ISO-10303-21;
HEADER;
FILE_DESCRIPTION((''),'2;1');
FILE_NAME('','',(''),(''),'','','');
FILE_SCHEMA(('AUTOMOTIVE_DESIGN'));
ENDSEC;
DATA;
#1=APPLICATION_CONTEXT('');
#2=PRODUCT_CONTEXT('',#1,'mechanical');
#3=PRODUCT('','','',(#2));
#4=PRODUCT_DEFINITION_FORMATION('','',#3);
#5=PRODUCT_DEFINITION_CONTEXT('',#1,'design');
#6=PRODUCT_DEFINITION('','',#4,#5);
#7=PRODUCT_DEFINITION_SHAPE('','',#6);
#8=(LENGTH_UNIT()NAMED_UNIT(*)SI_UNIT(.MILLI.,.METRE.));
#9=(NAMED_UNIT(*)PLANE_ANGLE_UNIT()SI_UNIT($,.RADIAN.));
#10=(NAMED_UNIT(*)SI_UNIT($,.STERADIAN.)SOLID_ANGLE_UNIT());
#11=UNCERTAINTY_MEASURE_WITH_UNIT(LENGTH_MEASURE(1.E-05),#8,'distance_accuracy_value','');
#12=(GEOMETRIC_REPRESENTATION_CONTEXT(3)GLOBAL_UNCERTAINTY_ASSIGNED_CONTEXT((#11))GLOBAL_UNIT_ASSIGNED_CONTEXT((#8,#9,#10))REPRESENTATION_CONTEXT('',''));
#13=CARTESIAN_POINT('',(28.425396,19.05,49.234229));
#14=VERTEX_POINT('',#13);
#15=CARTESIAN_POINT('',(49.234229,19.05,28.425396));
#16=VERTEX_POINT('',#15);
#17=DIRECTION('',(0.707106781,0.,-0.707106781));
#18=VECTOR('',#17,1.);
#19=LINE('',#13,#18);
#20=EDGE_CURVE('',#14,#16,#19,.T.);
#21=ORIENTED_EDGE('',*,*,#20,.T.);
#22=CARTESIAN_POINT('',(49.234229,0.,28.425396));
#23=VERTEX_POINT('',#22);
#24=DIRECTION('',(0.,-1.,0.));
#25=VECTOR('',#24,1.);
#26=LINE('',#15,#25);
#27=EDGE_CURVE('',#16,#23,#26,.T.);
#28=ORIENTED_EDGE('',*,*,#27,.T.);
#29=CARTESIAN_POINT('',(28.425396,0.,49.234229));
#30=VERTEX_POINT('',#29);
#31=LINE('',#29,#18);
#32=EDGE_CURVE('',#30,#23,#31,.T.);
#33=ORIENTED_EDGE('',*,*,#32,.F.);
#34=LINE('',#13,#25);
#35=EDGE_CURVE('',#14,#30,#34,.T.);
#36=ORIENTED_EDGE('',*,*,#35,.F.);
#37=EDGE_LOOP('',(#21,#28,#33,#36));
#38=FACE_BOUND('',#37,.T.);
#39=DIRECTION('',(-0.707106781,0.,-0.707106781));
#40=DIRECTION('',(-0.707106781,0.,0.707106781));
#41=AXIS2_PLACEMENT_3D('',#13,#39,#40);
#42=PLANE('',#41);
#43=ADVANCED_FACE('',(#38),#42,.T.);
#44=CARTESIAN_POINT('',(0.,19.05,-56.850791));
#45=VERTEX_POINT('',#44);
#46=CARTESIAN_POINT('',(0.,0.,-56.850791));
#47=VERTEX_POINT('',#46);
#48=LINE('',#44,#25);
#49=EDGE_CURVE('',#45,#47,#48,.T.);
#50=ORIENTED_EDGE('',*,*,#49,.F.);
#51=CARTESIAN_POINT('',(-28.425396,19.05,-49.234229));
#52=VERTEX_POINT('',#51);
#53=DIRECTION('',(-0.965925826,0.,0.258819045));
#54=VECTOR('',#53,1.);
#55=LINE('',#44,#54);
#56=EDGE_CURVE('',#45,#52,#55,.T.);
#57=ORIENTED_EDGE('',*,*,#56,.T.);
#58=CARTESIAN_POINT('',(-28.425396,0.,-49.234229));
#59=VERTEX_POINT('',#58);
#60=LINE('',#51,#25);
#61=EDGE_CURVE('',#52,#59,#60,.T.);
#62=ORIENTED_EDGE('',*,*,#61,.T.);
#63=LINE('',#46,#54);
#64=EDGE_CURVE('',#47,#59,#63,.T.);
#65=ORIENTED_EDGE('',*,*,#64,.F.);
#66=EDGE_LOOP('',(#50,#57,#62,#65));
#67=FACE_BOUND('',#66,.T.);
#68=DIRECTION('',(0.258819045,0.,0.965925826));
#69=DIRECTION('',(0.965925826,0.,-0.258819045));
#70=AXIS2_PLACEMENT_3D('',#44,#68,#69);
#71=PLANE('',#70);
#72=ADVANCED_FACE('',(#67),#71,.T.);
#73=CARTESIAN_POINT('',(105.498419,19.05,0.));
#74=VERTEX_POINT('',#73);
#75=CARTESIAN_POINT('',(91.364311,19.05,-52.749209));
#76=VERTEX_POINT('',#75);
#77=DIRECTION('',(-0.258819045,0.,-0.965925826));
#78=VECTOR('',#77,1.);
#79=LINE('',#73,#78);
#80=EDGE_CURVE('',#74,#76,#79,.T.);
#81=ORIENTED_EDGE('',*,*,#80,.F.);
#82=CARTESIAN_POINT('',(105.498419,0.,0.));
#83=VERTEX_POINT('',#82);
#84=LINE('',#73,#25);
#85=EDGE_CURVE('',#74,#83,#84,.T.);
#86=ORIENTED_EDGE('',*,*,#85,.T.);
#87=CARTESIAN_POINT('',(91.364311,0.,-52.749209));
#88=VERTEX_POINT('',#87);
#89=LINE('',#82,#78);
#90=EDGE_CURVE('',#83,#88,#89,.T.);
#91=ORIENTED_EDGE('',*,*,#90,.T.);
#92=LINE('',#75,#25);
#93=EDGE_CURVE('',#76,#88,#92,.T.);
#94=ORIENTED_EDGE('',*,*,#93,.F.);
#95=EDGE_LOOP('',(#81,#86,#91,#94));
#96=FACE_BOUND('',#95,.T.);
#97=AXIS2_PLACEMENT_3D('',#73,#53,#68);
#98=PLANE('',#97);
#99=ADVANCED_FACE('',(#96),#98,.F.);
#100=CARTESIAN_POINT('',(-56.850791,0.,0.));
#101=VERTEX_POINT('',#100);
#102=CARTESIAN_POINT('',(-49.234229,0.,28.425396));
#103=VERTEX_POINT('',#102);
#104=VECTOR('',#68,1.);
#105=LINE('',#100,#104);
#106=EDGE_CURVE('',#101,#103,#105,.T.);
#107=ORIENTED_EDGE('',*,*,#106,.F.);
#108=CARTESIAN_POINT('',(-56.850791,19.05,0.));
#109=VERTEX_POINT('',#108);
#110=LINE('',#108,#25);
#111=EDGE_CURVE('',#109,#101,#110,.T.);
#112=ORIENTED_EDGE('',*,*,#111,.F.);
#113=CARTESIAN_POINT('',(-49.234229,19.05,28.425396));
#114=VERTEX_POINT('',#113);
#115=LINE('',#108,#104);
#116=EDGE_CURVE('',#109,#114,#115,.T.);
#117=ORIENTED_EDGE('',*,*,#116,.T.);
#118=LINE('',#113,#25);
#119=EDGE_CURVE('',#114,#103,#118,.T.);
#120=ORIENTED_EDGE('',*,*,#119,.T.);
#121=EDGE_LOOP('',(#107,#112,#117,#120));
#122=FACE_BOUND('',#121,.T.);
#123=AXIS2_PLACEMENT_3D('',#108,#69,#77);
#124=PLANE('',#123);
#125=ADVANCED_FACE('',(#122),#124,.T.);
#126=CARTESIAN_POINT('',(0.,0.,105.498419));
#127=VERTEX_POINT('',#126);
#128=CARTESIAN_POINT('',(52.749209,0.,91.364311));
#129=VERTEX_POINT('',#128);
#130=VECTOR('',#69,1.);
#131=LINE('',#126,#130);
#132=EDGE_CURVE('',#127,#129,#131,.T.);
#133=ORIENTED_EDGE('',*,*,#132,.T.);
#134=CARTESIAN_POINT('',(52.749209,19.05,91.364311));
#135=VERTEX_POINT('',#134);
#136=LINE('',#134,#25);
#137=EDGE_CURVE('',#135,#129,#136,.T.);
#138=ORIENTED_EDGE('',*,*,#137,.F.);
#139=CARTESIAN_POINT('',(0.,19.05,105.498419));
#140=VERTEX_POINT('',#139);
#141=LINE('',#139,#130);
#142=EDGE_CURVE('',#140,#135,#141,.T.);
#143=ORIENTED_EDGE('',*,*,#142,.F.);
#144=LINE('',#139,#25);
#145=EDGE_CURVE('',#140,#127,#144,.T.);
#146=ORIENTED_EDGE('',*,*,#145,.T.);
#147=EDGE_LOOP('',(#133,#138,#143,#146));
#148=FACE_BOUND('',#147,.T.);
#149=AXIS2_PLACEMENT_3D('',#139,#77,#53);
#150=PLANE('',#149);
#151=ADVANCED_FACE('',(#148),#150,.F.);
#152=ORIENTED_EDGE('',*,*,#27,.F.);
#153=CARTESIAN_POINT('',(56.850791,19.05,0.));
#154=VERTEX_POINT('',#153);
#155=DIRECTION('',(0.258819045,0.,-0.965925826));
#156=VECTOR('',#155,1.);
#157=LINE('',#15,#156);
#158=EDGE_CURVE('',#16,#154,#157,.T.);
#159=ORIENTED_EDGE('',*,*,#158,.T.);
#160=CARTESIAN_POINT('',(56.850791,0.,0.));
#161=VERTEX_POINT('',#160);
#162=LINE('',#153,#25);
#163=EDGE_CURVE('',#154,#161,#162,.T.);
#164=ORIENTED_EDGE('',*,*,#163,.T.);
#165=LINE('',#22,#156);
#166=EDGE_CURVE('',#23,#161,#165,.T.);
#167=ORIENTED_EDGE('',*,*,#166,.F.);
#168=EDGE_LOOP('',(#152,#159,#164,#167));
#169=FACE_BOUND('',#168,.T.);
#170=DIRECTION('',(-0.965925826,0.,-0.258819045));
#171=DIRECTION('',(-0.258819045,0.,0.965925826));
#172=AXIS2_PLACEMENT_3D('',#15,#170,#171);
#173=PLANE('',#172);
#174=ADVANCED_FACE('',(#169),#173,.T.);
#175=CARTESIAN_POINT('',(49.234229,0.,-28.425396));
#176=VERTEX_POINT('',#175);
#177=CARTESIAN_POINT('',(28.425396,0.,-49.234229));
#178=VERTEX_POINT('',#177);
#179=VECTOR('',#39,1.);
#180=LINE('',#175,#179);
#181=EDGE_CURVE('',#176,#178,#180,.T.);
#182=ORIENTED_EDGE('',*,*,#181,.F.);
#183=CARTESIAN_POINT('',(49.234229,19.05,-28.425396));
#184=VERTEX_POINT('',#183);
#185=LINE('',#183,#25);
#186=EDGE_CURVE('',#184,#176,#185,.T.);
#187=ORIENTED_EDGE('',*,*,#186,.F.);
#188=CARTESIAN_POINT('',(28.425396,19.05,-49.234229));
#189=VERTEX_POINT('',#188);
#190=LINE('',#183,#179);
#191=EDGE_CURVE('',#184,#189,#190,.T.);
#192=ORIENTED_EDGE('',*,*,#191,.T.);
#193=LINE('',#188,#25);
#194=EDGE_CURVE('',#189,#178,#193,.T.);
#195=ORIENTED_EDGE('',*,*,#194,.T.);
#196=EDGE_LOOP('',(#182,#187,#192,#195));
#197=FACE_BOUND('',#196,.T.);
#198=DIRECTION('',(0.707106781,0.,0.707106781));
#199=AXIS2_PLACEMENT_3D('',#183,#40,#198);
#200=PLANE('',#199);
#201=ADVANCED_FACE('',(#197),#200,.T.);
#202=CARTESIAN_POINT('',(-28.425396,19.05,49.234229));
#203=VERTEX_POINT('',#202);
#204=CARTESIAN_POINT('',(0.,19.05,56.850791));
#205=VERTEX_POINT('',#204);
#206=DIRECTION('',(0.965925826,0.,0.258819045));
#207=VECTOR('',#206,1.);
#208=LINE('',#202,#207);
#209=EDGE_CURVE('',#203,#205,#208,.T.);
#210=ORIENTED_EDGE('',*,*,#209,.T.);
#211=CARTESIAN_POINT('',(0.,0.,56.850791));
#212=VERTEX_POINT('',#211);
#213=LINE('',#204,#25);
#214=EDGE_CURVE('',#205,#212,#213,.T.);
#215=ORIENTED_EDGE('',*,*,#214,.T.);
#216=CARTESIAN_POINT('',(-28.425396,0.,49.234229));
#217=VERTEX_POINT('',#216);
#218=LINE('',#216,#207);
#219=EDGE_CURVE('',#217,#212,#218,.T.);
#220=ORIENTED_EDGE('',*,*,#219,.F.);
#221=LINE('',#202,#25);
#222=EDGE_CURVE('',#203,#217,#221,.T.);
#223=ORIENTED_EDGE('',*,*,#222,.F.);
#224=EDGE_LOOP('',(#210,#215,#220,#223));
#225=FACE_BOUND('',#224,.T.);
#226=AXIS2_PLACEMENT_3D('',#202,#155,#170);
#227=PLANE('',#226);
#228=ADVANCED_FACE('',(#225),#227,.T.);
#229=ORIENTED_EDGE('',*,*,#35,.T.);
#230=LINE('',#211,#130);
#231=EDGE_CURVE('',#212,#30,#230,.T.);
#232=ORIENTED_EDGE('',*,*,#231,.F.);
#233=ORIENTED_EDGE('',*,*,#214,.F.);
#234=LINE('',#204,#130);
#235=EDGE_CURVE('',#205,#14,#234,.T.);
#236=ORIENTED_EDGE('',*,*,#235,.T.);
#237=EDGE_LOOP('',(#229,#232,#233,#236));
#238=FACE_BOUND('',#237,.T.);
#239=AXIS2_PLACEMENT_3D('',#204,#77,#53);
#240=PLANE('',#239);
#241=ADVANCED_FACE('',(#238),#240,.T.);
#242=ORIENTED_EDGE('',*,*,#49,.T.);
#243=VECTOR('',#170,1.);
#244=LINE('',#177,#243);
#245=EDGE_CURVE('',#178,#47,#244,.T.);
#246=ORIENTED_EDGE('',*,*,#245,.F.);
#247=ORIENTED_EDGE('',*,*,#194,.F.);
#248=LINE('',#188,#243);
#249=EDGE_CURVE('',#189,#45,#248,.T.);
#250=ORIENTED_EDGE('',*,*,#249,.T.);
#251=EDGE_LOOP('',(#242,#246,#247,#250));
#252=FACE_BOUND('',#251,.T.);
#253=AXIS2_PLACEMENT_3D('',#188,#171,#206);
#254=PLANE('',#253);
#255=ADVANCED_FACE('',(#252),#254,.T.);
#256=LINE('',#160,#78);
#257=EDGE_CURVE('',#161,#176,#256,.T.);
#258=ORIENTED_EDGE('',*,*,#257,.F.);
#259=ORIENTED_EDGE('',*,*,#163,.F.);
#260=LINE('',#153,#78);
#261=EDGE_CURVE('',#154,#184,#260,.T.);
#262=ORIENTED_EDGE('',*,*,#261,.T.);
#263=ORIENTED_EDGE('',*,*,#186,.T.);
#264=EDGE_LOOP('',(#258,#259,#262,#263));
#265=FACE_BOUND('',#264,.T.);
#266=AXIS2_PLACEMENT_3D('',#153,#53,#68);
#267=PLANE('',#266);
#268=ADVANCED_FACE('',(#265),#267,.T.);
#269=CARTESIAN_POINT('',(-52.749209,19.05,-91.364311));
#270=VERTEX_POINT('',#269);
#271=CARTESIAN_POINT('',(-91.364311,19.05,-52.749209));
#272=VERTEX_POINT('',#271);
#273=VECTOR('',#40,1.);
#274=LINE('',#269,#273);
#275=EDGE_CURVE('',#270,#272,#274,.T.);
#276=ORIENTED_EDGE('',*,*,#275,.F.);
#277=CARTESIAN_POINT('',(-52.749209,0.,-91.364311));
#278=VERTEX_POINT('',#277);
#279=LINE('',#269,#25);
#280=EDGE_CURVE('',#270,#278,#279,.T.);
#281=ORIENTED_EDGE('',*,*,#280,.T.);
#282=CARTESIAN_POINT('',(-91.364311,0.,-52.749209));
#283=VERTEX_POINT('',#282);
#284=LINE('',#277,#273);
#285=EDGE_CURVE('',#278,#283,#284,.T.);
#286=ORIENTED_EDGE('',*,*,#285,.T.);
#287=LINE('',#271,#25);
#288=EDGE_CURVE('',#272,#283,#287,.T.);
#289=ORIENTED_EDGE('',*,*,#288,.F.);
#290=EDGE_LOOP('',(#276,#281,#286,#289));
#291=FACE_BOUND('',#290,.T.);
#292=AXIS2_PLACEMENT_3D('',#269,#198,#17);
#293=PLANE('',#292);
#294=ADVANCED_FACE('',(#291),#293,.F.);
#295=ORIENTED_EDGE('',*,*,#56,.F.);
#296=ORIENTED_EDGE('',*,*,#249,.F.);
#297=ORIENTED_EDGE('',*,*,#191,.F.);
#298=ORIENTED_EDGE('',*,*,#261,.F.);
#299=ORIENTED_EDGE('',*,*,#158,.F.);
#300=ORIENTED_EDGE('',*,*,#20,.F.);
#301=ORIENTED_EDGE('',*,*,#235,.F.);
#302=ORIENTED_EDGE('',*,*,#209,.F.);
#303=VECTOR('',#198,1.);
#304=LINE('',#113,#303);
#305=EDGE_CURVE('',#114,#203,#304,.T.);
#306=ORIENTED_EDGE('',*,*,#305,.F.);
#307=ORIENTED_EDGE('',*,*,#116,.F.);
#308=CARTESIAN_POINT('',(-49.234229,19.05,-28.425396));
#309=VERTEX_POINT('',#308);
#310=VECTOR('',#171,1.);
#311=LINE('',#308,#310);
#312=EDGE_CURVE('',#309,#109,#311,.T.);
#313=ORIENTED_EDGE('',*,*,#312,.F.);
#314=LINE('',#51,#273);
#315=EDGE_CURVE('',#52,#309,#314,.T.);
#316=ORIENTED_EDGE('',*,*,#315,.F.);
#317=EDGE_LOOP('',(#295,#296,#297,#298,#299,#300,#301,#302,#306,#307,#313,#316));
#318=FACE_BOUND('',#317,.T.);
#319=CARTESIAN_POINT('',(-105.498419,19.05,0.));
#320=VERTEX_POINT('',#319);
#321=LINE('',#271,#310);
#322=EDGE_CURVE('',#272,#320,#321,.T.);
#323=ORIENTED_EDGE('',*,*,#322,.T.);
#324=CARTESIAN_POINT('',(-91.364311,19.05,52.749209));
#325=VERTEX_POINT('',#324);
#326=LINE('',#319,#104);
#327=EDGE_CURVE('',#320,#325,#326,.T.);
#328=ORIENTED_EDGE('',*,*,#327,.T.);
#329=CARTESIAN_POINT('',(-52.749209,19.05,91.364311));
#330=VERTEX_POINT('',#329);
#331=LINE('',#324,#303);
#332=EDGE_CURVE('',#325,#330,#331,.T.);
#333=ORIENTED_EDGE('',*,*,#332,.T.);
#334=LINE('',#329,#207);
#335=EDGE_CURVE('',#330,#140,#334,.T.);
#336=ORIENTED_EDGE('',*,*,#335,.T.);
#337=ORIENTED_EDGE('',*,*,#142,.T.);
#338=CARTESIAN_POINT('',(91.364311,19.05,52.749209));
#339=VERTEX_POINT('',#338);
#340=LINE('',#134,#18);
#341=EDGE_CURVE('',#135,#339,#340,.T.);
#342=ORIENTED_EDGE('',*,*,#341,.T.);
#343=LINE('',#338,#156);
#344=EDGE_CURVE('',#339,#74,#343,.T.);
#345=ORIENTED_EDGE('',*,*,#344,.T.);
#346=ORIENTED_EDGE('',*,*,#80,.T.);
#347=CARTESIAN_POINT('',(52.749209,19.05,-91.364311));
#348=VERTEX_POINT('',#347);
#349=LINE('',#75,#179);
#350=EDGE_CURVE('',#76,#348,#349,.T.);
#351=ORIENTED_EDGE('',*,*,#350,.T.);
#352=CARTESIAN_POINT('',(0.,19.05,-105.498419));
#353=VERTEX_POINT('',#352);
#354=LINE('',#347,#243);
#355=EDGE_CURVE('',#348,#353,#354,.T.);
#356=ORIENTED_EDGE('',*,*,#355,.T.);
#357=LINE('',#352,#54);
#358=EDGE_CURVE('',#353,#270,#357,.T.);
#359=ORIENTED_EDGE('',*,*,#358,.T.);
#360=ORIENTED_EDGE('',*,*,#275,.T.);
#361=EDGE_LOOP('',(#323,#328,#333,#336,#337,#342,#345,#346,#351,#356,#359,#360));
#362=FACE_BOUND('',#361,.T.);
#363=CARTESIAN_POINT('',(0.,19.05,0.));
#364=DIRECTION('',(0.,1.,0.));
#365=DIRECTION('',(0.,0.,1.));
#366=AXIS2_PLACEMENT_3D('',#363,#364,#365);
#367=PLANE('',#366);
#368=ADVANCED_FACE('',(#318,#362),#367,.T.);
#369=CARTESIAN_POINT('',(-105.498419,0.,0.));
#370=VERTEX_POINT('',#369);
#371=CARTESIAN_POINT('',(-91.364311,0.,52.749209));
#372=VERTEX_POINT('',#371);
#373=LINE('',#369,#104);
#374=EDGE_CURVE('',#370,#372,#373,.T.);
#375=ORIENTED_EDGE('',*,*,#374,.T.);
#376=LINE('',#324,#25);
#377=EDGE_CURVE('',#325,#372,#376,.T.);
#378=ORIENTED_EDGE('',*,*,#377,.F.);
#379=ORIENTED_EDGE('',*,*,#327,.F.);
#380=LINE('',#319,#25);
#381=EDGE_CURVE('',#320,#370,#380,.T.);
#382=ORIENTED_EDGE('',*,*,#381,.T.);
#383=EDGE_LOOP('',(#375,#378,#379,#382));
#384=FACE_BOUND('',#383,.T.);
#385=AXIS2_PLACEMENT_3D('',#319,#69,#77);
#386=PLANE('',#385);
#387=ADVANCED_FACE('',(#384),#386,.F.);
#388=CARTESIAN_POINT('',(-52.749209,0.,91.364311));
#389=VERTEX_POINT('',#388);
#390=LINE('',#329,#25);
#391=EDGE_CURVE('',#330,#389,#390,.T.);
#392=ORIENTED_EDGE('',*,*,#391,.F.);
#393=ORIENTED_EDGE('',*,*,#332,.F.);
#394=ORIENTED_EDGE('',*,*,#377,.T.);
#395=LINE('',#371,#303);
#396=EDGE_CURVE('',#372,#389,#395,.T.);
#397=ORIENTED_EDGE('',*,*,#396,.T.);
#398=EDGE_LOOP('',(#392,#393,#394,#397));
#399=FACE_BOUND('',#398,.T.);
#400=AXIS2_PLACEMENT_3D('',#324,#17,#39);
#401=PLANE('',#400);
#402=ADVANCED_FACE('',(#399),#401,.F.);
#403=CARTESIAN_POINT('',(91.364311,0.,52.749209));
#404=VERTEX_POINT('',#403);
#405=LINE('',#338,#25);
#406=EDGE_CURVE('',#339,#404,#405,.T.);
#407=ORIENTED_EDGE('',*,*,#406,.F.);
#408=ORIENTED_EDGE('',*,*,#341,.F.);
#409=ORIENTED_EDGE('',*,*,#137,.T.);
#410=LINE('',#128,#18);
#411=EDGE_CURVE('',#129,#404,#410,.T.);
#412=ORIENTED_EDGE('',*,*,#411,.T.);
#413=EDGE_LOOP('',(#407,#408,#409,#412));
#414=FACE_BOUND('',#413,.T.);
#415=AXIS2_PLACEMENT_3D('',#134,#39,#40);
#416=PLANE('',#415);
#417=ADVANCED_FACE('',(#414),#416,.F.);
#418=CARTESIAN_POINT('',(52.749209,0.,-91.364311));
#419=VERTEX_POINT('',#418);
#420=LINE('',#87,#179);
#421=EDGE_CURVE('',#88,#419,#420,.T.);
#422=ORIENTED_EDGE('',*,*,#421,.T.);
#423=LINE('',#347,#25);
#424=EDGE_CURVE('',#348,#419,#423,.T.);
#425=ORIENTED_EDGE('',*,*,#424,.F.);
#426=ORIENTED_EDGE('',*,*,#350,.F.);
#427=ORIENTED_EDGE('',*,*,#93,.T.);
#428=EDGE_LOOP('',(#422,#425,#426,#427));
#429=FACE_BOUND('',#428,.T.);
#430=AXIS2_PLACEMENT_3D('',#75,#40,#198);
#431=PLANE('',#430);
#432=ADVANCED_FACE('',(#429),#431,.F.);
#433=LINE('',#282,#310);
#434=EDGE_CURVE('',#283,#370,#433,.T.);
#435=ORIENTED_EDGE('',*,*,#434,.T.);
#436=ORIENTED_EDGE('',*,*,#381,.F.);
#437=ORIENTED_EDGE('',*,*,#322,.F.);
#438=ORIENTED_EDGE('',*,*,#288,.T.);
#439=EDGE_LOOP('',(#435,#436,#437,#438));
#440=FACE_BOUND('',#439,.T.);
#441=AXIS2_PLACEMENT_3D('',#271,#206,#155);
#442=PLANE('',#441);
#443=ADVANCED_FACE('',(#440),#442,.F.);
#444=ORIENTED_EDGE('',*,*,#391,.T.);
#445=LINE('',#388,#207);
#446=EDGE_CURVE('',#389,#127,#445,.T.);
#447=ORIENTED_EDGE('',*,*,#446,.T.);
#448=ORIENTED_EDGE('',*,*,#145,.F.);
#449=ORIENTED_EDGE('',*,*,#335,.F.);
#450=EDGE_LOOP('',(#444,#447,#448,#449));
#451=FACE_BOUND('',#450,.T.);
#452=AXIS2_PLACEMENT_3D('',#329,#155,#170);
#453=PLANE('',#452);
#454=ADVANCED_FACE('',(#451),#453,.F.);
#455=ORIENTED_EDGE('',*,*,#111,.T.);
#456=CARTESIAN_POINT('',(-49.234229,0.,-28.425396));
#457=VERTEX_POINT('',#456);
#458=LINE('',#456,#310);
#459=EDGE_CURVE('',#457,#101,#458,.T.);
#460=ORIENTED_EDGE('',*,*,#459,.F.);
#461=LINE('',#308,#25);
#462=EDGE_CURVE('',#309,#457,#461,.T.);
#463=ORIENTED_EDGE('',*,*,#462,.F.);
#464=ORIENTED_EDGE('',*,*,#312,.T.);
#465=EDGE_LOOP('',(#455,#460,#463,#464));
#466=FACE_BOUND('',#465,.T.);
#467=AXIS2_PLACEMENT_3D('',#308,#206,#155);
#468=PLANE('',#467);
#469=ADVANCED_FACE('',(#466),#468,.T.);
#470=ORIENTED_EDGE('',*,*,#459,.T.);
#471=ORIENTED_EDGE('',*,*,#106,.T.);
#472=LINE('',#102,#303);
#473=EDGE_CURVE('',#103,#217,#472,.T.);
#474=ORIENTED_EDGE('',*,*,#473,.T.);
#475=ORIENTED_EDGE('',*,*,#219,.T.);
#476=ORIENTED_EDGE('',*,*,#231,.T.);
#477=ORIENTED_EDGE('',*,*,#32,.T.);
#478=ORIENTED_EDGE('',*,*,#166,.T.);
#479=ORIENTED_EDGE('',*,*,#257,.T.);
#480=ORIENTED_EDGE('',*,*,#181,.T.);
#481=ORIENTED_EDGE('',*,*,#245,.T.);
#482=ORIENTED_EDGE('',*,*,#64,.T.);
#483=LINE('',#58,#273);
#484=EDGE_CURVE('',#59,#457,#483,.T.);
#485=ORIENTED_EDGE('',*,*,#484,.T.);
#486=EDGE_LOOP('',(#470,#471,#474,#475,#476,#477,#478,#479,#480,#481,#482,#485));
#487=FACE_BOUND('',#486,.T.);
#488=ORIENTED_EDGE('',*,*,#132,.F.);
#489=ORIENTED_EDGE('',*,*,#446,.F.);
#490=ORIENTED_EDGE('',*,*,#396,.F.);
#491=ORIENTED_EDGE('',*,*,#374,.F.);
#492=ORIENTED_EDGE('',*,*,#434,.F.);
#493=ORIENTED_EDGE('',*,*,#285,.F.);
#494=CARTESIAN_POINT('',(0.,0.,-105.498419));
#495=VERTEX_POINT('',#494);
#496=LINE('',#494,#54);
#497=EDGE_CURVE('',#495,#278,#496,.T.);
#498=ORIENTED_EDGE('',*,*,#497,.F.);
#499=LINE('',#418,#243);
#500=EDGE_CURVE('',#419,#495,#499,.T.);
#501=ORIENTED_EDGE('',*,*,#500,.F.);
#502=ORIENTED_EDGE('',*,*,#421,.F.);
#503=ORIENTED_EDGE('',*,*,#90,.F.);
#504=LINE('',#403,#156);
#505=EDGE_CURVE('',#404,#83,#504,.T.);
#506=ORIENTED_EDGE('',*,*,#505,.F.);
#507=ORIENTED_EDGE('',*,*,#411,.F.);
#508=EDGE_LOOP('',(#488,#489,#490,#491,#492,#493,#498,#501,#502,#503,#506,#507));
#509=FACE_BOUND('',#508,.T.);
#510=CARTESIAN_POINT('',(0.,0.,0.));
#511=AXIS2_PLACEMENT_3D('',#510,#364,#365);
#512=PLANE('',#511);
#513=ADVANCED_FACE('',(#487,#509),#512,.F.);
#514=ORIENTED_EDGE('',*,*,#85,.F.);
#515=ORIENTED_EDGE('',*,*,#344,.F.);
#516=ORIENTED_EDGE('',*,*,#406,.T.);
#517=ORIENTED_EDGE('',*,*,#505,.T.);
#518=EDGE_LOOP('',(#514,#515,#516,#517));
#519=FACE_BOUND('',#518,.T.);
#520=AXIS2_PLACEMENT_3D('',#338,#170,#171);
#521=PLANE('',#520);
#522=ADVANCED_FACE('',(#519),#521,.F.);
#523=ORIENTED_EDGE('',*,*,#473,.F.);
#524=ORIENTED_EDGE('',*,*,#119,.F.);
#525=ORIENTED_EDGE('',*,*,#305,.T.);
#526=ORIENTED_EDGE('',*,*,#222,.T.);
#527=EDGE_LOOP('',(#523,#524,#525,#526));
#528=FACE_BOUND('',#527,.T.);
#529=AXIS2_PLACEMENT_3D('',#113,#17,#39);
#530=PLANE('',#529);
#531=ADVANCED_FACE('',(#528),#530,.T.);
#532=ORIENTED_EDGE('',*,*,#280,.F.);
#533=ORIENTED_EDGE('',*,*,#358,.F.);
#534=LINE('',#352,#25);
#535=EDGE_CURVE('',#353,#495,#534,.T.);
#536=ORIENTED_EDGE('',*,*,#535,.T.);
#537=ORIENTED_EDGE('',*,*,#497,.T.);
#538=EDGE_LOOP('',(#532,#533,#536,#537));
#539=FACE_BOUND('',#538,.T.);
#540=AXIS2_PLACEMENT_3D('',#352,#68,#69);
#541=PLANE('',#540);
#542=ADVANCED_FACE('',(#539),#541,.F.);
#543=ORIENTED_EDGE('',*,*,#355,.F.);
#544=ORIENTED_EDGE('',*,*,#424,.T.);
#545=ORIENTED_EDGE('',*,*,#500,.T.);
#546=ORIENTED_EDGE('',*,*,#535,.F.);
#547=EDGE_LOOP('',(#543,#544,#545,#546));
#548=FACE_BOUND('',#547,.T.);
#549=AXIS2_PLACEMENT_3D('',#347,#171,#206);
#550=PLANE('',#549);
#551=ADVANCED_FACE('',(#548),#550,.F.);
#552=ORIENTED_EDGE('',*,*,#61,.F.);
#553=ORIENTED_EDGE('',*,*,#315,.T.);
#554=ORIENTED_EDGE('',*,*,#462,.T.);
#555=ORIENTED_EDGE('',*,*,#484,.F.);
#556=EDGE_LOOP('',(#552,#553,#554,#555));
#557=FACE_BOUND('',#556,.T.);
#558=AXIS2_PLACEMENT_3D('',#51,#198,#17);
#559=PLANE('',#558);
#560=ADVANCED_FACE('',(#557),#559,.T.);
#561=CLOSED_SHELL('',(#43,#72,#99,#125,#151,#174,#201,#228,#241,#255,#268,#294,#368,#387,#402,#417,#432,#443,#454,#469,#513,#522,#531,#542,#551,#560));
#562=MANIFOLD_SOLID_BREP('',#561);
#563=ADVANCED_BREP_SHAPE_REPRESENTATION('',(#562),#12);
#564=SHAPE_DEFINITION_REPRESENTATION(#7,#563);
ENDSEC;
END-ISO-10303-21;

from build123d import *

# Parameters (mm, degrees)
BOSS_EXTRUDE1_DEPTH = 19.05


with BuildPart() as part:
    # Sketch1 → Boss-Extrude1 (new body)
    with BuildSketch(Plane(origin=(0, 0, 0), x_dir=(1, 0, 0), z_dir=(0, 1, 0))):
        Polygon((105.498418747, 0), (91.364310694, 52.749209374), (52.749209374, 91.364310694), (0, 105.498418747), (-52.749209374, 91.364310694), (-91.364310694, 52.749209374), (-105.498418747, 0), (-91.364310694, -52.749209374), (-52.749209374, -91.364310694), (0, -105.498418747), (52.749209374, -91.364310694), (91.364310694, -52.749209374), align=None)
        Polygon((56.85079103, 0), (49.234229257, 28.425395515), (28.425395515, 49.234229257), (0, 56.85079103), (-28.425395515, 49.234229257), (-49.234229257, 28.425395515), (-56.85079103, 0), (-49.234229257, -28.425395515), (-28.425395515, -49.234229257), (0, -56.85079103), (28.425395515, -49.234229257), (49.234229257, -28.425395515), align=None, mode=Mode.SUBTRACT)
    extrude(amount=BOSS_EXTRUDE1_DEPTH)


solid = part.part
